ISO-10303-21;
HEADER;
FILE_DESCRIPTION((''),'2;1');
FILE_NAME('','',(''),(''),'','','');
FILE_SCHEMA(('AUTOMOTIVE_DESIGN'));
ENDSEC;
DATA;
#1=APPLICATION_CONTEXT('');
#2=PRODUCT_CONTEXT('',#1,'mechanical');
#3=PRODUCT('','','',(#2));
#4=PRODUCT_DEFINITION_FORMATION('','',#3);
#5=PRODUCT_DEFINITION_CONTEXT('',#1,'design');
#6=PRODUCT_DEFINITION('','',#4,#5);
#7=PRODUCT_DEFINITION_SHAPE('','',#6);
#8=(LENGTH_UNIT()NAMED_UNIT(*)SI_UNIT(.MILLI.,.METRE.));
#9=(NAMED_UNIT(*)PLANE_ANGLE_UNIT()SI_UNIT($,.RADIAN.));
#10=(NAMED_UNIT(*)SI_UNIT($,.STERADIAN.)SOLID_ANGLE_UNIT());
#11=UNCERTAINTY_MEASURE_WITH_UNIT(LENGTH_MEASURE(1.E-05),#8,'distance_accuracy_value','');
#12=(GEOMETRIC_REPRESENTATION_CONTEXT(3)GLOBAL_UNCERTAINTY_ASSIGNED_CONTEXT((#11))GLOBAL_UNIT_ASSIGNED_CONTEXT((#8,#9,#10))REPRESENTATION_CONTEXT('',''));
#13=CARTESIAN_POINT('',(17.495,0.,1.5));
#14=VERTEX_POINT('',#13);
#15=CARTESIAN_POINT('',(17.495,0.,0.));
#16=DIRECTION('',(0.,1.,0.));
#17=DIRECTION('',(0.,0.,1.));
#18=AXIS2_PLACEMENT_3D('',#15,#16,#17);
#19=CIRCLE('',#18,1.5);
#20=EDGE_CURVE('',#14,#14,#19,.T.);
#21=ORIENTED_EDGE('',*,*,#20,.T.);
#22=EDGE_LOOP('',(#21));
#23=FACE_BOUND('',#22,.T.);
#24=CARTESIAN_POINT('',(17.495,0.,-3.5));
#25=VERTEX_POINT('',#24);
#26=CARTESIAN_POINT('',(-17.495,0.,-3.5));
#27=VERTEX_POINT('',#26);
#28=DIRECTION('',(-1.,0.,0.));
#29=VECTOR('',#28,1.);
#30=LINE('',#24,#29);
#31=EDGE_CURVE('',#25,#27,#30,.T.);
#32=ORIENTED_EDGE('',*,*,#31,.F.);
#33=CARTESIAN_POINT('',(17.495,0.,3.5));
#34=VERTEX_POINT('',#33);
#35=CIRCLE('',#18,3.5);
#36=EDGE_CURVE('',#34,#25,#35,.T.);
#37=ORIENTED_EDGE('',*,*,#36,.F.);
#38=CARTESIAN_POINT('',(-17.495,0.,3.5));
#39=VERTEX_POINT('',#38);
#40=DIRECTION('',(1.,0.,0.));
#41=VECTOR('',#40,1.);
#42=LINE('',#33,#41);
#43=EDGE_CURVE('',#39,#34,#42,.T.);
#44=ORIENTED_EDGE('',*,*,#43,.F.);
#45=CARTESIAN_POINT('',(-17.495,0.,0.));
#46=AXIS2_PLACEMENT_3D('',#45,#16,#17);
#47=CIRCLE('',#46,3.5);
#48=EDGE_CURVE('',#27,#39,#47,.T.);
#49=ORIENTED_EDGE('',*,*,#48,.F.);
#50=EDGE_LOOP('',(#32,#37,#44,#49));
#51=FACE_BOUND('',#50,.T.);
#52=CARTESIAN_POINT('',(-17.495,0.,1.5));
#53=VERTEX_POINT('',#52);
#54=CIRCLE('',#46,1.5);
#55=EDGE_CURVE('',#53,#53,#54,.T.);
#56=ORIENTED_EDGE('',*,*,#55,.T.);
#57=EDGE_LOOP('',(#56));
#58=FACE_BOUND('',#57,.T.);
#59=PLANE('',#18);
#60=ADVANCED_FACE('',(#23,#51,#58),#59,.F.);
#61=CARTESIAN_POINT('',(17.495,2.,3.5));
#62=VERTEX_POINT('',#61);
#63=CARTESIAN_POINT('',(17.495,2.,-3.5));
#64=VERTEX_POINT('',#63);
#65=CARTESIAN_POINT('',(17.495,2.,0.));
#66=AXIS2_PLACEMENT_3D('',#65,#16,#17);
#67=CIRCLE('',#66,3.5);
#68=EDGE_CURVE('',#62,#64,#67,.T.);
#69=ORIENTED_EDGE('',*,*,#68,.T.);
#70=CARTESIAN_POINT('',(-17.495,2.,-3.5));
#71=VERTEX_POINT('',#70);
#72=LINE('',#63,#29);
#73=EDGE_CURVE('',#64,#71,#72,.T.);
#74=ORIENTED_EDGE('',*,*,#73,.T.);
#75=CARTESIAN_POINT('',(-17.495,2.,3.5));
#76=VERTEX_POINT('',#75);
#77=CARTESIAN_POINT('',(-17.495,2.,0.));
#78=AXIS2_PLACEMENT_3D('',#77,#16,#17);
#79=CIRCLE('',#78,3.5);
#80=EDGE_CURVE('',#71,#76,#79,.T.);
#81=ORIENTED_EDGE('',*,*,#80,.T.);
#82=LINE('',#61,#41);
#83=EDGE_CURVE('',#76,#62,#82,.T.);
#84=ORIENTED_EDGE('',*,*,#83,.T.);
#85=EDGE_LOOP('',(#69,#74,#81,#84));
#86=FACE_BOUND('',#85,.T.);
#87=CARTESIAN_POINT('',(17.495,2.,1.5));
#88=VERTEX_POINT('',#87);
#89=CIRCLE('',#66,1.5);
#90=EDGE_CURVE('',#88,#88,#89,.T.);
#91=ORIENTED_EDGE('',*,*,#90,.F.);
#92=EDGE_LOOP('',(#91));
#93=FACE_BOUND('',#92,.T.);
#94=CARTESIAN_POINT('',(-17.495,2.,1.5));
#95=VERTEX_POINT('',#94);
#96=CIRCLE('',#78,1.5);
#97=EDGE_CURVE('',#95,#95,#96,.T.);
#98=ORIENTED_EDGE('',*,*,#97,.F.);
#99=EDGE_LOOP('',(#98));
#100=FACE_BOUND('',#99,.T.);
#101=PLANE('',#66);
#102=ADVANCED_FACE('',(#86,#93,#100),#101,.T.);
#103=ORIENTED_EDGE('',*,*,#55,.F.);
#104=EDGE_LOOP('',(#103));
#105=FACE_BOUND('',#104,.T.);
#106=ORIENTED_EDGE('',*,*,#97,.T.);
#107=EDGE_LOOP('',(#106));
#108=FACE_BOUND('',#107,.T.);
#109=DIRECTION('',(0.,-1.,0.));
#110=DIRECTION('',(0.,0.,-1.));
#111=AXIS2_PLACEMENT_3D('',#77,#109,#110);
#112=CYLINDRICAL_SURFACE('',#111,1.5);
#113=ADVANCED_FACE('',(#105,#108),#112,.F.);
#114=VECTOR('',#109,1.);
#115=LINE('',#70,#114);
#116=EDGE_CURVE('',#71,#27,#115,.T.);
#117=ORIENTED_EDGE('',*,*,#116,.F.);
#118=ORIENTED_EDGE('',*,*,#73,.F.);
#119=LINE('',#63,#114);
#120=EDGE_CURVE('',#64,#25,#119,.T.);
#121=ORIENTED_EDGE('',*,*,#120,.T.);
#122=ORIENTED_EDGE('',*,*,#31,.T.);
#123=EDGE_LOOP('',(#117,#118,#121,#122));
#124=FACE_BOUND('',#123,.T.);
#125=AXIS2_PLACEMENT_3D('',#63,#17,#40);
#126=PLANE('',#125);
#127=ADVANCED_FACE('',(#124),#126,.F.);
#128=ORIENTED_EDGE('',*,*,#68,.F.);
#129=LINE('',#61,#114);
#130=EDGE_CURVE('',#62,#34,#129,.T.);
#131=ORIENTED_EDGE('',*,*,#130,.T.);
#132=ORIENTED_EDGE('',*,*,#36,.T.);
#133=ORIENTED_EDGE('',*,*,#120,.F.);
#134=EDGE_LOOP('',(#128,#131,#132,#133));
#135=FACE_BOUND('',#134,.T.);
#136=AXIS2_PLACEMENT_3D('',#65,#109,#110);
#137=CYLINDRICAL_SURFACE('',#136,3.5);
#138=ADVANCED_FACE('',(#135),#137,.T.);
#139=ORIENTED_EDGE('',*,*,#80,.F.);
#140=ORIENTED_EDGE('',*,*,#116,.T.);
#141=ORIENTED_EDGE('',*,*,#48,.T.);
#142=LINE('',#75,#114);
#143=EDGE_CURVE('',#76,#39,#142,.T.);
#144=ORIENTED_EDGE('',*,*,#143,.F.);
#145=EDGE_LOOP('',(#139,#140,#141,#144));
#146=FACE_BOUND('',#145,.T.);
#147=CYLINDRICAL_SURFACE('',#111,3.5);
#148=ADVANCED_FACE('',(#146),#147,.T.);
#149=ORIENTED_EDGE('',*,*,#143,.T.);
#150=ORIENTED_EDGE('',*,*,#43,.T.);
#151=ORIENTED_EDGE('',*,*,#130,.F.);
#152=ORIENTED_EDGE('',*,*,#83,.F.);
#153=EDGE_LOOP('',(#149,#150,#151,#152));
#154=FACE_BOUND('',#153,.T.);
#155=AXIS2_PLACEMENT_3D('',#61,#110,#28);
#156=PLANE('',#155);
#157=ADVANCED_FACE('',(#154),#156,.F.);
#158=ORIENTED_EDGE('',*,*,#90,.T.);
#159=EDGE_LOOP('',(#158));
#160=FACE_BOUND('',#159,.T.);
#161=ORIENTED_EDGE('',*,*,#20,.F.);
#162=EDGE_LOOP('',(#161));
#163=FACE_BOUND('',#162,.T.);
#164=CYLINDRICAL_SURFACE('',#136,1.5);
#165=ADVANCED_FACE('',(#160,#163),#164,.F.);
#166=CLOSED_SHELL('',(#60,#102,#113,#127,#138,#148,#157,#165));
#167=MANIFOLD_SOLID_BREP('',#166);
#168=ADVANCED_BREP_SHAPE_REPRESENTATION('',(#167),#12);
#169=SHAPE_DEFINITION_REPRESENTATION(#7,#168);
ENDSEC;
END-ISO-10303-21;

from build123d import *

# Parameters (mm, degrees)
SKETCH1_R           = 1.5
BOSS_EXTRUDE1_DEPTH = 2


with BuildPart() as part:
    # Sketch1 → Boss-Extrude1 (new body)
    with BuildSketch(Plane(origin=(0, 0, 0), x_dir=(1, 0, 0), z_dir=(0, 1, 0))):
        with BuildLine():
            Line((17.495, -3.5), (-17.495, -3.5))
            ThreePointArc((-17.495, -3.5), (-20.995, 0), (-17.495, 3.5))
            Line((-17.495, 3.5), (17.495, 3.5))
            ThreePointArc((17.495, 3.5), (20.995, 0), (17.495, -3.5))
        make_face()
        with Locations(Location((-17.495, 0, 0), (0, 0, 270))):
            Circle(SKETCH1_R, mode=Mode.SUBTRACT)
        with Locations(Location((17.495, 0, 0), (0, 0, 270))):
            Circle(SKETCH1_R, mode=Mode.SUBTRACT)
    extrude(amount=BOSS_EXTRUDE1_DEPTH)


solid = part.part
